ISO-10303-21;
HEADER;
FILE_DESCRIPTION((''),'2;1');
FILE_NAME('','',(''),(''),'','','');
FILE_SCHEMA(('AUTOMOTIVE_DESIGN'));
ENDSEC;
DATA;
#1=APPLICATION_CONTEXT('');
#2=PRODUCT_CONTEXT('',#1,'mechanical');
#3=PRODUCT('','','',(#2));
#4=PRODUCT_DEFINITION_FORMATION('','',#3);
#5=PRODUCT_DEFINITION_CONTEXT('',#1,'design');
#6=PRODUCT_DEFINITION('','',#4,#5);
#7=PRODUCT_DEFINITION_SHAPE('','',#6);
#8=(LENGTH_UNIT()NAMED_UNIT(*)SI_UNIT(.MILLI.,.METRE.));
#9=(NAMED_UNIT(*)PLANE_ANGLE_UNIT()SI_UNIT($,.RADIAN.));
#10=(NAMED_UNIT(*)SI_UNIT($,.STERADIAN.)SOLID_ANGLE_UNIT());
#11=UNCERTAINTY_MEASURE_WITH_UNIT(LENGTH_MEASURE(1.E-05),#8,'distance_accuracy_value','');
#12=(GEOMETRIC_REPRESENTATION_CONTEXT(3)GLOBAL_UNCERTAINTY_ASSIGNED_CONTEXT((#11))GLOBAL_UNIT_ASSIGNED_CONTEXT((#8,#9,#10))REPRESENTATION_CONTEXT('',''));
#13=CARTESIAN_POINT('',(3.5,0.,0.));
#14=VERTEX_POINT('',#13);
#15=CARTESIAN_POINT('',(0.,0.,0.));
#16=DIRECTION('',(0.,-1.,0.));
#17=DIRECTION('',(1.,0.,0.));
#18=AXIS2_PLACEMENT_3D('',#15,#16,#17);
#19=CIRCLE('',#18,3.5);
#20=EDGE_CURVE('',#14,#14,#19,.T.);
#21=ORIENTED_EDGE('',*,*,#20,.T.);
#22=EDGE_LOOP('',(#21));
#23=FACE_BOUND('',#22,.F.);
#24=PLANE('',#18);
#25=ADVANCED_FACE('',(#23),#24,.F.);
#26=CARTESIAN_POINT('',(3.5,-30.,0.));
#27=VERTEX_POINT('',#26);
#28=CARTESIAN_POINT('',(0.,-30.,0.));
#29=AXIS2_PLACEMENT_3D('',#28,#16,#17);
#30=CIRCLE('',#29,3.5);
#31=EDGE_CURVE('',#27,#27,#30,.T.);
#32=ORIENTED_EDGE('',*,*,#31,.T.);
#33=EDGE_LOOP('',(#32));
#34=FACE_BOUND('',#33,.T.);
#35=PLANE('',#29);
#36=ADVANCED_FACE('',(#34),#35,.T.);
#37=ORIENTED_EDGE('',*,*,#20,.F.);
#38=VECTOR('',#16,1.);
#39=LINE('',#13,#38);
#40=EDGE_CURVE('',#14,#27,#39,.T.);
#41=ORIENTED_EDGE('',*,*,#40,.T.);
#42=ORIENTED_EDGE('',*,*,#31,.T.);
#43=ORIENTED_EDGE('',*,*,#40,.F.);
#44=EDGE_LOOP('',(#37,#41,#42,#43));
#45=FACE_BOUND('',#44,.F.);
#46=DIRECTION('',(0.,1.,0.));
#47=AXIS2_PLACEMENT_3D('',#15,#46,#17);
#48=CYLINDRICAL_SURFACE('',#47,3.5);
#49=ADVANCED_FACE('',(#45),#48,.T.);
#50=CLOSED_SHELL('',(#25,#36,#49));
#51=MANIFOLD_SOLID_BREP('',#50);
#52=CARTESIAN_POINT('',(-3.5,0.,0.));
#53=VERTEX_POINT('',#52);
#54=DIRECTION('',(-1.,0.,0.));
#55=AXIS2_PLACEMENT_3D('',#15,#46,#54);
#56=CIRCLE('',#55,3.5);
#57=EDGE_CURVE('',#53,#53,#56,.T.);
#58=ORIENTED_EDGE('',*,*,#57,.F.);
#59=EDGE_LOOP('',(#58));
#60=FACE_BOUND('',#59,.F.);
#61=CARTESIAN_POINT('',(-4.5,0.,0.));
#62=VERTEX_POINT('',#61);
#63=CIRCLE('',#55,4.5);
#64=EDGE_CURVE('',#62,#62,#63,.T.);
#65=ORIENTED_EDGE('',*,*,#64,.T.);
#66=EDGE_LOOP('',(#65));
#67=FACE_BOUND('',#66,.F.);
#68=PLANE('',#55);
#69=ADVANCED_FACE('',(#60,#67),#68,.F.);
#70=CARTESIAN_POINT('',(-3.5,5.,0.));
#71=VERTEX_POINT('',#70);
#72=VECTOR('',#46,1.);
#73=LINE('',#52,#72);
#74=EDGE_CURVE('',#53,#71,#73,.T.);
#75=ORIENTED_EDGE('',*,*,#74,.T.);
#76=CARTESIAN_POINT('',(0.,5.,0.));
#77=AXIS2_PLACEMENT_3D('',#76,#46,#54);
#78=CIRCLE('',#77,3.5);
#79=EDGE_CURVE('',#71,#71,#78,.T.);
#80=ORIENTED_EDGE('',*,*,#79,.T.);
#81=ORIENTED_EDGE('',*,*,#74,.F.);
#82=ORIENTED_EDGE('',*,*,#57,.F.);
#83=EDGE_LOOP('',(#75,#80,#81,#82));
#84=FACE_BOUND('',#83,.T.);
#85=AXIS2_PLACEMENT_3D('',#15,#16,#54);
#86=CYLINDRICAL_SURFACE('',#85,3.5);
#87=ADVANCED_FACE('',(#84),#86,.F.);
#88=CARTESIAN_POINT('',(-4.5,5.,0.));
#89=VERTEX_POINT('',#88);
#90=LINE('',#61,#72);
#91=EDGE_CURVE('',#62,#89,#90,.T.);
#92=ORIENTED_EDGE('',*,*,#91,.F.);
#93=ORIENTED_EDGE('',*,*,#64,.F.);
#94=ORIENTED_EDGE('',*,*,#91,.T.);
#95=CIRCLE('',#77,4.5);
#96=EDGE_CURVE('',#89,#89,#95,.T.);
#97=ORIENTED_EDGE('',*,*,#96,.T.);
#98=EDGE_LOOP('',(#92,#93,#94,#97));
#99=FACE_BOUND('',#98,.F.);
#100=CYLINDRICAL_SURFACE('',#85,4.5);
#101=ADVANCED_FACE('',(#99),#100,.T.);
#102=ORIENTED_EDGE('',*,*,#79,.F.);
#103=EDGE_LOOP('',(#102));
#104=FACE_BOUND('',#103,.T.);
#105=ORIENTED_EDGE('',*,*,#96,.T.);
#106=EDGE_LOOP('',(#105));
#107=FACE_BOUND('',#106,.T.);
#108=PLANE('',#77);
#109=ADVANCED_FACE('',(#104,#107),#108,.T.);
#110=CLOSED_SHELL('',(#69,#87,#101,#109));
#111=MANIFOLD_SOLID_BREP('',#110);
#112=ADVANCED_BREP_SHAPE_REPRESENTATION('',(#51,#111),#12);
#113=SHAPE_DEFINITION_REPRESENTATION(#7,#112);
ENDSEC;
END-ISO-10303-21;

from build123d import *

# Parameters (mm, degrees)
F0_R     = 3.5
F1_DEPTH = 30
F2_R     = 4.5
F2_R_2   = 3.5
F3_DEPTH = 5


with BuildPart() as f1:
    # F0 (on Front) → F1 (new body)
    with BuildSketch(Plane.XZ):
        Circle(F0_R)
    extrude(amount=F1_DEPTH)


with BuildPart() as f3:
    # F2 (on face) → F3 (new body)
    with BuildSketch(Plane(origin=(0, 0, 0), x_dir=(-1, 0, 0), z_dir=(0, 1, 0))):
        Circle(F2_R)
        Circle(F2_R_2, mode=Mode.SUBTRACT)
    extrude(amount=F3_DEPTH)


solid = Compound([f1.part, f3.part])
